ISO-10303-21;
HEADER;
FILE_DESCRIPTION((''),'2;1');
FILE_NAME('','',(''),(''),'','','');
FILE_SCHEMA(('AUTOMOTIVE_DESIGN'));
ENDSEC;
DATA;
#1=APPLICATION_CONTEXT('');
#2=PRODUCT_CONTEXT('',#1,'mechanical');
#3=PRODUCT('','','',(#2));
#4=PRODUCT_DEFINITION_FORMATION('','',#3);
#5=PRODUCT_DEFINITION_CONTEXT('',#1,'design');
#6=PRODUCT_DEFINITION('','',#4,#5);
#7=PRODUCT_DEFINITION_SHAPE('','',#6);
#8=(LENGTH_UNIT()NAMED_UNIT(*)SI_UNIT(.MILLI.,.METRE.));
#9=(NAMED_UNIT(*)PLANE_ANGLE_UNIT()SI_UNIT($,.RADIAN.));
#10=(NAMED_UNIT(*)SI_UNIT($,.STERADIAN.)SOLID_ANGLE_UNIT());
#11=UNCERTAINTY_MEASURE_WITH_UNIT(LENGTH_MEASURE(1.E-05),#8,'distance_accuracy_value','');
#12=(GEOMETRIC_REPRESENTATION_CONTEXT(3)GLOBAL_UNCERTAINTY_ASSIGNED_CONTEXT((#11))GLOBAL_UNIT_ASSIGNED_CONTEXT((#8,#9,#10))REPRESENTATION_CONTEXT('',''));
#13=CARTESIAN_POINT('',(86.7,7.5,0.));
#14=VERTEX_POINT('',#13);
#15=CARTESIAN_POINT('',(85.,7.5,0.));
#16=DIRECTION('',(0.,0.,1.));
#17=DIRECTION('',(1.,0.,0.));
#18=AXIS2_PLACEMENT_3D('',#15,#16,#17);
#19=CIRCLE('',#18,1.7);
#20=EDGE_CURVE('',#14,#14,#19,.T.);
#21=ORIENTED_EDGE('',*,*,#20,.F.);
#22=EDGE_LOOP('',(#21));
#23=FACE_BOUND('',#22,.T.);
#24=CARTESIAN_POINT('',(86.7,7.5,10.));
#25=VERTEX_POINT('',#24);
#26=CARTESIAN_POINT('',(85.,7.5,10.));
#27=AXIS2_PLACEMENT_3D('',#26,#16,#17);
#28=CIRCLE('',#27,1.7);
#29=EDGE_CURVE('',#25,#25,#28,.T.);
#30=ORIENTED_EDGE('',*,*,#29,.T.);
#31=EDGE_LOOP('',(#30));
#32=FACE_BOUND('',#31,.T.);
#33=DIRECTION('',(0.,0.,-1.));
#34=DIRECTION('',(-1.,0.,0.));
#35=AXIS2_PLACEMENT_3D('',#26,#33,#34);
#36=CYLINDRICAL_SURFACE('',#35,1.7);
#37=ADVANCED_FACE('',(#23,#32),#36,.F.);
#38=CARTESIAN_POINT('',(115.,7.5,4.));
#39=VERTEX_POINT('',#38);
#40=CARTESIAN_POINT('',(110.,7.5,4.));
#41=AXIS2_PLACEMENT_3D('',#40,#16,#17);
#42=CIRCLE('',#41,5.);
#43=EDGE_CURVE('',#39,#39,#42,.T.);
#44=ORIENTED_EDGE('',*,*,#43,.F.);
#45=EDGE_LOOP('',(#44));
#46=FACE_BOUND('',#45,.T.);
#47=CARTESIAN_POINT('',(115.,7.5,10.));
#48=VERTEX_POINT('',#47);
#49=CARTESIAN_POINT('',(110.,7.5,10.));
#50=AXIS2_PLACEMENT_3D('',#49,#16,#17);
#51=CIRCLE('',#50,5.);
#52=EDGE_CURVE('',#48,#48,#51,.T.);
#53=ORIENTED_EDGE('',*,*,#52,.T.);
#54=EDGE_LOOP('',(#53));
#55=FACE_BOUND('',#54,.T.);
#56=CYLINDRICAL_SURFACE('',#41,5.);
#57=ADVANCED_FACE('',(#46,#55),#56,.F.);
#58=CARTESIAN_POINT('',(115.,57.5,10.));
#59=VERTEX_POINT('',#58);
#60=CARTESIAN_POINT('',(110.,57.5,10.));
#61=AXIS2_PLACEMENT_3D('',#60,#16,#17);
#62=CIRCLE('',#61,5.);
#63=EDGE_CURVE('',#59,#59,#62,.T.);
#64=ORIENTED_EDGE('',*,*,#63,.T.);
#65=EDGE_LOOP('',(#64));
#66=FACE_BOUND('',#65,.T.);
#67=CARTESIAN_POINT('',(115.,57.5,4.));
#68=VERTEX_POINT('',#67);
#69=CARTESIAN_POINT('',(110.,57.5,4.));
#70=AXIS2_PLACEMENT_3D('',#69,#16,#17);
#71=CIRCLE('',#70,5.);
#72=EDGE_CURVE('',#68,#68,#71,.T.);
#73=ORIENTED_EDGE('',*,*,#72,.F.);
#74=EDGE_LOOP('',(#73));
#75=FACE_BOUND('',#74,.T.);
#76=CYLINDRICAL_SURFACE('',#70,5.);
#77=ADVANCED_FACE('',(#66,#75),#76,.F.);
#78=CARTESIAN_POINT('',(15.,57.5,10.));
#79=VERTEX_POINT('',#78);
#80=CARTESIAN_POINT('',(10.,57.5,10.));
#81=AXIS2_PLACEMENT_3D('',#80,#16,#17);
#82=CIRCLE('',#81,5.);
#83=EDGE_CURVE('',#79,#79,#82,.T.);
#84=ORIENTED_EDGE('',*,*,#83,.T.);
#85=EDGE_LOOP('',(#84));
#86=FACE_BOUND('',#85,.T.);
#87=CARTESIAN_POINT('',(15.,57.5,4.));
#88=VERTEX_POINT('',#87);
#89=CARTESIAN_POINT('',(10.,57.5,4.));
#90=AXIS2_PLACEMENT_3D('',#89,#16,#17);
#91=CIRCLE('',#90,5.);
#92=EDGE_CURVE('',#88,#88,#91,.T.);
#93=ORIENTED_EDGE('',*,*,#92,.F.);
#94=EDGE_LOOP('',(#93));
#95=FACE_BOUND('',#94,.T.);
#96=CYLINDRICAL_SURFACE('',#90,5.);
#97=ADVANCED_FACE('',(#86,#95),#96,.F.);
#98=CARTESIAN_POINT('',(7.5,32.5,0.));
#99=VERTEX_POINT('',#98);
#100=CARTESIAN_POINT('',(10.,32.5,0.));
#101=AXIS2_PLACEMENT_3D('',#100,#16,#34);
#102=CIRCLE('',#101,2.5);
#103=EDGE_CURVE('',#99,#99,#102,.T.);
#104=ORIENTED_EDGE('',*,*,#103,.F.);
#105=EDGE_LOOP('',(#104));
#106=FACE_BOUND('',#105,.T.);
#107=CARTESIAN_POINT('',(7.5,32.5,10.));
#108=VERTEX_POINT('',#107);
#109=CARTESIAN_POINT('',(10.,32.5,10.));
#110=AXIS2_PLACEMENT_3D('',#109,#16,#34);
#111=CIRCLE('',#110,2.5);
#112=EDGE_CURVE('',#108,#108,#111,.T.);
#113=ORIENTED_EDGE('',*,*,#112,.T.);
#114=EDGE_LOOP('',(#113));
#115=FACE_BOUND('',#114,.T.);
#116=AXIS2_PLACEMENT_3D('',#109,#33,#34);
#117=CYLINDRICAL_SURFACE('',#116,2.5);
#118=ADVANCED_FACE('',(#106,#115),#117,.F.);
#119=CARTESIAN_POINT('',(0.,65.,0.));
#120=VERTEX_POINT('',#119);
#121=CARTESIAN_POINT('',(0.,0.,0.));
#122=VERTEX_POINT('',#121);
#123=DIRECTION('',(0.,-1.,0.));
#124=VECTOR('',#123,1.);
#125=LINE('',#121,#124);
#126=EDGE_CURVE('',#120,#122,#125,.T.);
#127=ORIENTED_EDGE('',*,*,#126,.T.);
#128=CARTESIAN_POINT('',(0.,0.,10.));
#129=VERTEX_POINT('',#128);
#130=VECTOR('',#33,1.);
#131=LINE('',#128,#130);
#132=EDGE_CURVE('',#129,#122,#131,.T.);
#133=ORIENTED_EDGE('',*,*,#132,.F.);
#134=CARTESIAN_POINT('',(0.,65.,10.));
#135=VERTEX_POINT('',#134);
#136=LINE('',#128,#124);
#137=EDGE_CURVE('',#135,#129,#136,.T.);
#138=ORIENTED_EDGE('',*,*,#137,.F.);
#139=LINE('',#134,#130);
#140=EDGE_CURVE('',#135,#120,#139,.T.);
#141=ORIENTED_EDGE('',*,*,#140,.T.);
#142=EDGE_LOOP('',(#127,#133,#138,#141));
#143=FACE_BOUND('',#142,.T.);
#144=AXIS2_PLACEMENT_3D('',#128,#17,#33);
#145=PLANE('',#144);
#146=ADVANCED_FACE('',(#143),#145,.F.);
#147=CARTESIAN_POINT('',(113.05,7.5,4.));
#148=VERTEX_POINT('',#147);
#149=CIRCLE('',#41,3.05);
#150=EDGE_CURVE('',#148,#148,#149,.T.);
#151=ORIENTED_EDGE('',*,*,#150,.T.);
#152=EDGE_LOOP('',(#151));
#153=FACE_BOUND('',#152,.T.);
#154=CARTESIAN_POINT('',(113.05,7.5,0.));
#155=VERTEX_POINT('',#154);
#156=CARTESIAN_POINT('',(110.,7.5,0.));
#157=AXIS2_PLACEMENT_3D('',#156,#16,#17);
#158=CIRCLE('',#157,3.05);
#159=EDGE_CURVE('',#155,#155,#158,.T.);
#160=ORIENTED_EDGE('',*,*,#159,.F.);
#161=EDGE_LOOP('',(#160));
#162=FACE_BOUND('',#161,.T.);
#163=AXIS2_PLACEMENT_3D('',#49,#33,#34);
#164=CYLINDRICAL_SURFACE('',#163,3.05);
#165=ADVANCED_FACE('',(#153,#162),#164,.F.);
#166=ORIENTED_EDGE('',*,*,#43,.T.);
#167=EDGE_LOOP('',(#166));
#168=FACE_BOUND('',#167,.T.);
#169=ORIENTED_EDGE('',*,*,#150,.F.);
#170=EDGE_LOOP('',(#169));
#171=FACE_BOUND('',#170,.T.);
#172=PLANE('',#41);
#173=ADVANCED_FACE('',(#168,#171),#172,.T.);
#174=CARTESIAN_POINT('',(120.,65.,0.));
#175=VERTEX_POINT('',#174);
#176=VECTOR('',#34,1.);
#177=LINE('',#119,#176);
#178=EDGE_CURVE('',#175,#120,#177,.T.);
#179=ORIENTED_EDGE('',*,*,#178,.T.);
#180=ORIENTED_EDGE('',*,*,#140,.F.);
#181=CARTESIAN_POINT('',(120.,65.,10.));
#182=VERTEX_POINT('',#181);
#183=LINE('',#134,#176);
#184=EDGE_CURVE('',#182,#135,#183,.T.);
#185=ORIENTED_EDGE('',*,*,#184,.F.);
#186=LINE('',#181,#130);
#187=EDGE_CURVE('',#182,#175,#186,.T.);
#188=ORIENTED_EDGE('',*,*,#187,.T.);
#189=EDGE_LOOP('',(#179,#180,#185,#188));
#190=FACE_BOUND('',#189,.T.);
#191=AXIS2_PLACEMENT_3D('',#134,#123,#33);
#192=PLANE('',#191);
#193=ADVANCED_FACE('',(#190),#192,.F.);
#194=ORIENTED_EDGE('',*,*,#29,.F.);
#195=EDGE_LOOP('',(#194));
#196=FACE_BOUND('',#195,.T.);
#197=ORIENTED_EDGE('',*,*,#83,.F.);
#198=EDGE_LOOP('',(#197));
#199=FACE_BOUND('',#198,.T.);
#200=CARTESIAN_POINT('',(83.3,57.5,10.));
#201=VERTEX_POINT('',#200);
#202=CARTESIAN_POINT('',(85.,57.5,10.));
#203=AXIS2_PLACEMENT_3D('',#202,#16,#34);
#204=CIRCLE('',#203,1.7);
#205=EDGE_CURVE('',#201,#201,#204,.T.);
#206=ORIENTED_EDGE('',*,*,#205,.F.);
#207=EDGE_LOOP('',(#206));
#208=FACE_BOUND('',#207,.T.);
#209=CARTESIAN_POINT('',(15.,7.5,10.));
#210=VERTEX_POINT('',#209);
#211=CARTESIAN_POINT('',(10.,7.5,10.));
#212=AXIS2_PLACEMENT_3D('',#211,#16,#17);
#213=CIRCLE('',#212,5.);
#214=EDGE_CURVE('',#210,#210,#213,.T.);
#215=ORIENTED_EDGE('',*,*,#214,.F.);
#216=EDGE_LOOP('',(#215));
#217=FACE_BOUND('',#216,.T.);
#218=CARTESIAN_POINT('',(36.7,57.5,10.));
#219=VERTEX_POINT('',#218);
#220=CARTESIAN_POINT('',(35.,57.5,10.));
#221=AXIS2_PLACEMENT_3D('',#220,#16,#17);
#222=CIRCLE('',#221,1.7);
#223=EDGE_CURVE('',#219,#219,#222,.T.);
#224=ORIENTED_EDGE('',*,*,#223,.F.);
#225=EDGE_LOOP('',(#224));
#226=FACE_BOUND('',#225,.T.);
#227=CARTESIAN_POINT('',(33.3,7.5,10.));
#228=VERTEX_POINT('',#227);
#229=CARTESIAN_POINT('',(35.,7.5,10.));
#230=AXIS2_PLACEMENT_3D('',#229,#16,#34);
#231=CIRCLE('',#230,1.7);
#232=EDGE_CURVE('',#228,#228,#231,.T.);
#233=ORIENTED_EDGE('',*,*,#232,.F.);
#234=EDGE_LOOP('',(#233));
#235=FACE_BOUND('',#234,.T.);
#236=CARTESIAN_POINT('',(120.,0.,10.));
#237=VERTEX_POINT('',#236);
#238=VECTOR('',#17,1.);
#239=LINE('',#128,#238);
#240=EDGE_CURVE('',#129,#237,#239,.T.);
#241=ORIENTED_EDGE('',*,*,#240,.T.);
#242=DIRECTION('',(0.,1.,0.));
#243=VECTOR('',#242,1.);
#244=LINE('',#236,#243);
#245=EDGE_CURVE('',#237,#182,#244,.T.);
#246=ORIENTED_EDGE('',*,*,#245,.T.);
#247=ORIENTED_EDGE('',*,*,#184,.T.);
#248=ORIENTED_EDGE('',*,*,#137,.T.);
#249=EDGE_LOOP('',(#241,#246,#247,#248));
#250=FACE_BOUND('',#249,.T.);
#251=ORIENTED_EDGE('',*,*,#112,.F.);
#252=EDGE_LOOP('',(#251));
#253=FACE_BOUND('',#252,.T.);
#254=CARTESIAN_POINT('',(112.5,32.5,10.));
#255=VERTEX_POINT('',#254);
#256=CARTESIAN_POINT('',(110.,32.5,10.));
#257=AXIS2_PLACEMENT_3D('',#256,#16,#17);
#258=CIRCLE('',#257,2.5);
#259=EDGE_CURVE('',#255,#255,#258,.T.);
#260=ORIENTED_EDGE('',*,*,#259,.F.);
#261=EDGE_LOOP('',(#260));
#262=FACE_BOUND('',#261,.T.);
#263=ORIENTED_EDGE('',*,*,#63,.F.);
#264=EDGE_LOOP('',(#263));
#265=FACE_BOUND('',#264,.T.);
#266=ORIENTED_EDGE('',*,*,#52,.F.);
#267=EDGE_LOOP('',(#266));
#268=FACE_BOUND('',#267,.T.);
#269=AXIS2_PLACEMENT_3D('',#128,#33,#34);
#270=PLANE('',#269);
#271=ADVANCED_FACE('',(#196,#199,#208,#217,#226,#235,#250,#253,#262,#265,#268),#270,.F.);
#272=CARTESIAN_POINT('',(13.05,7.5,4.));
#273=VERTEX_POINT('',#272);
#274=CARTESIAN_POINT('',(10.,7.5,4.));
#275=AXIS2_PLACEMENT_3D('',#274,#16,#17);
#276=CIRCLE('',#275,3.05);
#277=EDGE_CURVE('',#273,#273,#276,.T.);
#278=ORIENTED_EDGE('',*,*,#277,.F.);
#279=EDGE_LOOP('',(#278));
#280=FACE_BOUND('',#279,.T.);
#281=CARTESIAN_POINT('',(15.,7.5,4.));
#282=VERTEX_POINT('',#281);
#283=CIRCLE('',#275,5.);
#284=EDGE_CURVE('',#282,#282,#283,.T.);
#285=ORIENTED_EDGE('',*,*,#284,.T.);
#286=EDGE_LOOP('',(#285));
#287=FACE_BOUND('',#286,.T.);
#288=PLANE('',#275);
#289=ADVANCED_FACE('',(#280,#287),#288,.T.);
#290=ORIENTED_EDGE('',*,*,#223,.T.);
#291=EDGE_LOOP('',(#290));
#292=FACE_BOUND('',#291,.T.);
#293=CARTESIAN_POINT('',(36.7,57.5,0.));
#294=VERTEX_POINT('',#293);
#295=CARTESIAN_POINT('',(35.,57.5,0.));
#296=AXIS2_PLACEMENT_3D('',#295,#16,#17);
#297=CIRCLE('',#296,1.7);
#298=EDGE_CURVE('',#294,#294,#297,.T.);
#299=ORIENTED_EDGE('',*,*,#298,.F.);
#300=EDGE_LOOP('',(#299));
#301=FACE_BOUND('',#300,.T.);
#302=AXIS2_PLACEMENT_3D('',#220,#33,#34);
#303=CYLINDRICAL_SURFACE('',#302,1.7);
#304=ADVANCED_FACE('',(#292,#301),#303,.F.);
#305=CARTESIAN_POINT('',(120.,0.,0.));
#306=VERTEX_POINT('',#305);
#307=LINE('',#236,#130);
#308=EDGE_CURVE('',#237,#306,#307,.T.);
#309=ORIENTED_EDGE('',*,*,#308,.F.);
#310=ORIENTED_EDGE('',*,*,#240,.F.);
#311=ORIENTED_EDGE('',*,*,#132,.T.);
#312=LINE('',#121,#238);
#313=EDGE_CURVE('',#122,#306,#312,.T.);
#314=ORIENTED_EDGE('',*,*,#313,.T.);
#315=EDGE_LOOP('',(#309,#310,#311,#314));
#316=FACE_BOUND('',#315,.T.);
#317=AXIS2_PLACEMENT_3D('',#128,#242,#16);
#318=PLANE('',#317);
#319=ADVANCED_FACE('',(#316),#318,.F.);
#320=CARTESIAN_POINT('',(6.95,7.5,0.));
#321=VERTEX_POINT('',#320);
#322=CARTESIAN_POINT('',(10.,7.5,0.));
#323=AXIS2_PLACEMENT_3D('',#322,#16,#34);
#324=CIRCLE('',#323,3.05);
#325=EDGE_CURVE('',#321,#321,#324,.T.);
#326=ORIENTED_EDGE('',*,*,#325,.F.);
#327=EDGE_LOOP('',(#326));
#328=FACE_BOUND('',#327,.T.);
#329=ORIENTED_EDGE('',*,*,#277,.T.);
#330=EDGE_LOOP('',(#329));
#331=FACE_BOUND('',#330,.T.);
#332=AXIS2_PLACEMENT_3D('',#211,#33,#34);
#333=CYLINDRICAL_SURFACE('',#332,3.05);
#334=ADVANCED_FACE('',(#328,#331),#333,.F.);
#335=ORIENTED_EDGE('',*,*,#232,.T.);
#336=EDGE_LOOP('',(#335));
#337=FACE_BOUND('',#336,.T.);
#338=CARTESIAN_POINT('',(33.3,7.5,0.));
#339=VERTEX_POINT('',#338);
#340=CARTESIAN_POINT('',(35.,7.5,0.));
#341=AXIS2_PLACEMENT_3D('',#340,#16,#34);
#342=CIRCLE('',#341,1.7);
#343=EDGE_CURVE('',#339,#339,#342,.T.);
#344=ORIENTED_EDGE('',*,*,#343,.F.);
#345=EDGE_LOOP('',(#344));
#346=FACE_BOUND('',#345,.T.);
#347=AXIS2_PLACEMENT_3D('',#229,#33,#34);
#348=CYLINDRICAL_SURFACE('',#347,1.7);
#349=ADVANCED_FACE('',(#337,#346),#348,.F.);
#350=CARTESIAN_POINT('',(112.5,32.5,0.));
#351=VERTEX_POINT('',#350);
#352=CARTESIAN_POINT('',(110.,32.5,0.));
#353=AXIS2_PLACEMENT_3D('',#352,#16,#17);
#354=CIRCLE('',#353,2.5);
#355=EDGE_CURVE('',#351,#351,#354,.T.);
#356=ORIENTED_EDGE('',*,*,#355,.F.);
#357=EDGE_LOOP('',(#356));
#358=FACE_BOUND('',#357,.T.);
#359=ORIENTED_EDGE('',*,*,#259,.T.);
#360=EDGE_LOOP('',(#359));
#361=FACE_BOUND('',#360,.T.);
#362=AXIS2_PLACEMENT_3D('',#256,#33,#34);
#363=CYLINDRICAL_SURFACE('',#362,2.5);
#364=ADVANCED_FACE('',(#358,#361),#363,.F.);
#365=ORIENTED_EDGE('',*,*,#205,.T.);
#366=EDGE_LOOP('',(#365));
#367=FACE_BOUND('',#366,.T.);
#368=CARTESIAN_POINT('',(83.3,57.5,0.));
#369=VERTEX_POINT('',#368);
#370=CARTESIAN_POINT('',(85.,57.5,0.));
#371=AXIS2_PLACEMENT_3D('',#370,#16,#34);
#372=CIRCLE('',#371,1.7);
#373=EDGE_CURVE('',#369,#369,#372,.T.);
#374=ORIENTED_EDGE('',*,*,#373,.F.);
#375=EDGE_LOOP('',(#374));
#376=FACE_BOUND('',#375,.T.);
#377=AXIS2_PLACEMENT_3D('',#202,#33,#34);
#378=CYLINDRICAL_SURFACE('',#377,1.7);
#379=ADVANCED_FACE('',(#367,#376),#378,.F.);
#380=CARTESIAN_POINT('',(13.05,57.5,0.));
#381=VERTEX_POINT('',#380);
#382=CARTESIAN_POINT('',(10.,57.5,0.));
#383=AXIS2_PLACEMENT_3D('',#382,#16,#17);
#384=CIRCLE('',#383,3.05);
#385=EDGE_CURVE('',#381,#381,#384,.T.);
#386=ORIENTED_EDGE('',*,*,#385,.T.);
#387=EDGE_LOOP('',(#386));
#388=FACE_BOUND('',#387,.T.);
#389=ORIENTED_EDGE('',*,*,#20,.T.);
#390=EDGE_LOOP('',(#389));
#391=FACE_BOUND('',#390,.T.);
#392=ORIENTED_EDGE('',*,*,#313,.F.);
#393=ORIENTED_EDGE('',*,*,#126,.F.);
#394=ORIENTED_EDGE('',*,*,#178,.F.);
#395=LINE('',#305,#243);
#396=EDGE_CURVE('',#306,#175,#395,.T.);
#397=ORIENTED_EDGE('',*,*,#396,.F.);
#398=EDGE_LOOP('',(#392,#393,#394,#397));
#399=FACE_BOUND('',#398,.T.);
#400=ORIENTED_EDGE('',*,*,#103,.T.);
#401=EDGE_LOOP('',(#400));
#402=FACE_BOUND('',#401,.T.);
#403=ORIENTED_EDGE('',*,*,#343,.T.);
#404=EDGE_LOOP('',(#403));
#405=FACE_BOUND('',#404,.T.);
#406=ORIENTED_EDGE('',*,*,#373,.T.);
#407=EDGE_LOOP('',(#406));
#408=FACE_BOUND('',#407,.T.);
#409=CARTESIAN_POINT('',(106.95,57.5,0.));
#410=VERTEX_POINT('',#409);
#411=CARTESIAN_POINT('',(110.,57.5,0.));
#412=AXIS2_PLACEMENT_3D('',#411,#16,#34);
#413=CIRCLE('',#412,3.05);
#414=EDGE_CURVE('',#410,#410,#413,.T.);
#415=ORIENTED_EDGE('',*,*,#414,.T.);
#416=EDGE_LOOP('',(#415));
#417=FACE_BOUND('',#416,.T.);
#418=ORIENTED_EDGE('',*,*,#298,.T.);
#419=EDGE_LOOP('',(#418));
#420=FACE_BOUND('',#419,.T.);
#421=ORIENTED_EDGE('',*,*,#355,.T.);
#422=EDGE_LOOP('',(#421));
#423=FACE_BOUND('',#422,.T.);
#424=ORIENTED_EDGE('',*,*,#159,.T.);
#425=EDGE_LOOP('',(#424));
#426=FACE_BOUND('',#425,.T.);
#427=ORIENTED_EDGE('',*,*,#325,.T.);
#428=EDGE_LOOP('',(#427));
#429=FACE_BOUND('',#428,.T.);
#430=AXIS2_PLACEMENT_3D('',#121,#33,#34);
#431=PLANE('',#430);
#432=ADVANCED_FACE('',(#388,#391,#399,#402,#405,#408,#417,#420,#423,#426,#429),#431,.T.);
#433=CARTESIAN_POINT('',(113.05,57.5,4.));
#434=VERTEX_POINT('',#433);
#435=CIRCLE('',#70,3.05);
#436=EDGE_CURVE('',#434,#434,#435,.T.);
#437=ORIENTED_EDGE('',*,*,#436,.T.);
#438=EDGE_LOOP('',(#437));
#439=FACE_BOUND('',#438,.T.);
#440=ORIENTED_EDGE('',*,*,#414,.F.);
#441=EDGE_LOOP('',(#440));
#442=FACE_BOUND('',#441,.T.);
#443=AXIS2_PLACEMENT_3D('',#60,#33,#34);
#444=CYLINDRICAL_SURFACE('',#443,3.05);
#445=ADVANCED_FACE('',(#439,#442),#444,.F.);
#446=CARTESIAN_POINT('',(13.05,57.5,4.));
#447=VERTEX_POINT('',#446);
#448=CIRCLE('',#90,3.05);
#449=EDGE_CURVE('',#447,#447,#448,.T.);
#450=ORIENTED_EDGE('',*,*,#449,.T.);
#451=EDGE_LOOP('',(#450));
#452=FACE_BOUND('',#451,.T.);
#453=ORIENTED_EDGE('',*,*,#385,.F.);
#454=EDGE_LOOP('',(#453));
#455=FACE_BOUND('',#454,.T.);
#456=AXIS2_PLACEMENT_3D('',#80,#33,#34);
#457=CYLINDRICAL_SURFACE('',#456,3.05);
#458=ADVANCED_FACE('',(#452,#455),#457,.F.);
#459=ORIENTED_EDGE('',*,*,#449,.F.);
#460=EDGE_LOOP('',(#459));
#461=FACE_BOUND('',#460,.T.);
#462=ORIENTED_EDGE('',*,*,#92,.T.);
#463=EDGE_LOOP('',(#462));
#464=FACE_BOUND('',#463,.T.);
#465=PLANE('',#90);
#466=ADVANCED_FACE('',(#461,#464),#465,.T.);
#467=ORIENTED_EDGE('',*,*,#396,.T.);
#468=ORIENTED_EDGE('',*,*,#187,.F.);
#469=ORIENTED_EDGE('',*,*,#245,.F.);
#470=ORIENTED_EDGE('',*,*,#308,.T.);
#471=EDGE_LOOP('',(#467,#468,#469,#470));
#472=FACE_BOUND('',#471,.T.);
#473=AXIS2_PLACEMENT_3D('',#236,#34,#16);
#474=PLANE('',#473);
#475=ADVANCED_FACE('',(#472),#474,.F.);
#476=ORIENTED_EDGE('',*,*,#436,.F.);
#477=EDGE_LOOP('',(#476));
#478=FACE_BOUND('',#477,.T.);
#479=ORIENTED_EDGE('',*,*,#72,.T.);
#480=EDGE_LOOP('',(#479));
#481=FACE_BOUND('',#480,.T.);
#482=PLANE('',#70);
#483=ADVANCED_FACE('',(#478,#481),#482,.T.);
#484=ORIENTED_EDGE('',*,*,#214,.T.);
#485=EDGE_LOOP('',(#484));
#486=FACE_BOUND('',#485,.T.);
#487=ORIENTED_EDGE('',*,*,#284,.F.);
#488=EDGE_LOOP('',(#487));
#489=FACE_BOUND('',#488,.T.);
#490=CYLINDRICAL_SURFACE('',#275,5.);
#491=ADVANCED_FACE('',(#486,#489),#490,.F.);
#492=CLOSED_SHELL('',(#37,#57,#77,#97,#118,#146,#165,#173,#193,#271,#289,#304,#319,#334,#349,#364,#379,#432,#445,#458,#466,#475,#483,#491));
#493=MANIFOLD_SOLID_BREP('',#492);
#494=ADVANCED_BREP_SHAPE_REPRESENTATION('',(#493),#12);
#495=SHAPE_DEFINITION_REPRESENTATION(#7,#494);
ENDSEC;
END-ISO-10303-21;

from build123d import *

# Parameters (mm, degrees)
SKETCH1_W           = 120
SKETCH1_H           = 65
SKETCH1_R           = 1.7
SKETCH1_R_2         = 3.05
SKETCH1_R_3         = 2.5
BOSS_EXTRUDE1_DEPTH = 10
SKETCH2_R           = 5
CUT_EXTRUDE1_DEPTH  = 6


with BuildPart() as part:
    # Sketch1 → Boss-Extrude1 (new body)
    with BuildSketch(Plane.XY):
        with Locations((60, 32.5)):
            Rectangle(SKETCH1_W, SKETCH1_H)
        with Locations((85, 7.5)):
            Circle(SKETCH1_R, mode=Mode.SUBTRACT)
        with Locations((85, 57.5)):
            Circle(SKETCH1_R, mode=Mode.SUBTRACT)
        with Locations((35, 7.5)):
            Circle(SKETCH1_R, mode=Mode.SUBTRACT)
        with Locations((35, 57.5)):
            Circle(SKETCH1_R, mode=Mode.SUBTRACT)
        with Locations((110, 7.5)):
            Circle(SKETCH1_R_2, mode=Mode.SUBTRACT)
        with Locations((110, 57.5)):
            Circle(SKETCH1_R_2, mode=Mode.SUBTRACT)
        with Locations((10, 7.5)):
            Circle(SKETCH1_R_2, mode=Mode.SUBTRACT)
        with Locations((10, 57.5)):
            Circle(SKETCH1_R_2, mode=Mode.SUBTRACT)
        with Locations((110, 32.5)):
            Circle(SKETCH1_R_3, mode=Mode.SUBTRACT)
        with Locations((10, 32.5)):
            Circle(SKETCH1_R_3, mode=Mode.SUBTRACT)
    extrude(amount=BOSS_EXTRUDE1_DEPTH)

    # Sketch2 → Cut-Extrude1 (cut)
    with BuildSketch(Plane.XY.offset(10)):
        with Locations((110, 7.5)):
            Circle(SKETCH2_R)
        with Locations((110, 57.5)):
            Circle(SKETCH2_R)
        with Locations((10, 57.5)):
            Circle(SKETCH2_R)
        with Locations((10, 7.5)):
            Circle(SKETCH2_R)
    extrude(amount=-CUT_EXTRUDE1_DEPTH, mode=Mode.SUBTRACT)


solid = part.part
